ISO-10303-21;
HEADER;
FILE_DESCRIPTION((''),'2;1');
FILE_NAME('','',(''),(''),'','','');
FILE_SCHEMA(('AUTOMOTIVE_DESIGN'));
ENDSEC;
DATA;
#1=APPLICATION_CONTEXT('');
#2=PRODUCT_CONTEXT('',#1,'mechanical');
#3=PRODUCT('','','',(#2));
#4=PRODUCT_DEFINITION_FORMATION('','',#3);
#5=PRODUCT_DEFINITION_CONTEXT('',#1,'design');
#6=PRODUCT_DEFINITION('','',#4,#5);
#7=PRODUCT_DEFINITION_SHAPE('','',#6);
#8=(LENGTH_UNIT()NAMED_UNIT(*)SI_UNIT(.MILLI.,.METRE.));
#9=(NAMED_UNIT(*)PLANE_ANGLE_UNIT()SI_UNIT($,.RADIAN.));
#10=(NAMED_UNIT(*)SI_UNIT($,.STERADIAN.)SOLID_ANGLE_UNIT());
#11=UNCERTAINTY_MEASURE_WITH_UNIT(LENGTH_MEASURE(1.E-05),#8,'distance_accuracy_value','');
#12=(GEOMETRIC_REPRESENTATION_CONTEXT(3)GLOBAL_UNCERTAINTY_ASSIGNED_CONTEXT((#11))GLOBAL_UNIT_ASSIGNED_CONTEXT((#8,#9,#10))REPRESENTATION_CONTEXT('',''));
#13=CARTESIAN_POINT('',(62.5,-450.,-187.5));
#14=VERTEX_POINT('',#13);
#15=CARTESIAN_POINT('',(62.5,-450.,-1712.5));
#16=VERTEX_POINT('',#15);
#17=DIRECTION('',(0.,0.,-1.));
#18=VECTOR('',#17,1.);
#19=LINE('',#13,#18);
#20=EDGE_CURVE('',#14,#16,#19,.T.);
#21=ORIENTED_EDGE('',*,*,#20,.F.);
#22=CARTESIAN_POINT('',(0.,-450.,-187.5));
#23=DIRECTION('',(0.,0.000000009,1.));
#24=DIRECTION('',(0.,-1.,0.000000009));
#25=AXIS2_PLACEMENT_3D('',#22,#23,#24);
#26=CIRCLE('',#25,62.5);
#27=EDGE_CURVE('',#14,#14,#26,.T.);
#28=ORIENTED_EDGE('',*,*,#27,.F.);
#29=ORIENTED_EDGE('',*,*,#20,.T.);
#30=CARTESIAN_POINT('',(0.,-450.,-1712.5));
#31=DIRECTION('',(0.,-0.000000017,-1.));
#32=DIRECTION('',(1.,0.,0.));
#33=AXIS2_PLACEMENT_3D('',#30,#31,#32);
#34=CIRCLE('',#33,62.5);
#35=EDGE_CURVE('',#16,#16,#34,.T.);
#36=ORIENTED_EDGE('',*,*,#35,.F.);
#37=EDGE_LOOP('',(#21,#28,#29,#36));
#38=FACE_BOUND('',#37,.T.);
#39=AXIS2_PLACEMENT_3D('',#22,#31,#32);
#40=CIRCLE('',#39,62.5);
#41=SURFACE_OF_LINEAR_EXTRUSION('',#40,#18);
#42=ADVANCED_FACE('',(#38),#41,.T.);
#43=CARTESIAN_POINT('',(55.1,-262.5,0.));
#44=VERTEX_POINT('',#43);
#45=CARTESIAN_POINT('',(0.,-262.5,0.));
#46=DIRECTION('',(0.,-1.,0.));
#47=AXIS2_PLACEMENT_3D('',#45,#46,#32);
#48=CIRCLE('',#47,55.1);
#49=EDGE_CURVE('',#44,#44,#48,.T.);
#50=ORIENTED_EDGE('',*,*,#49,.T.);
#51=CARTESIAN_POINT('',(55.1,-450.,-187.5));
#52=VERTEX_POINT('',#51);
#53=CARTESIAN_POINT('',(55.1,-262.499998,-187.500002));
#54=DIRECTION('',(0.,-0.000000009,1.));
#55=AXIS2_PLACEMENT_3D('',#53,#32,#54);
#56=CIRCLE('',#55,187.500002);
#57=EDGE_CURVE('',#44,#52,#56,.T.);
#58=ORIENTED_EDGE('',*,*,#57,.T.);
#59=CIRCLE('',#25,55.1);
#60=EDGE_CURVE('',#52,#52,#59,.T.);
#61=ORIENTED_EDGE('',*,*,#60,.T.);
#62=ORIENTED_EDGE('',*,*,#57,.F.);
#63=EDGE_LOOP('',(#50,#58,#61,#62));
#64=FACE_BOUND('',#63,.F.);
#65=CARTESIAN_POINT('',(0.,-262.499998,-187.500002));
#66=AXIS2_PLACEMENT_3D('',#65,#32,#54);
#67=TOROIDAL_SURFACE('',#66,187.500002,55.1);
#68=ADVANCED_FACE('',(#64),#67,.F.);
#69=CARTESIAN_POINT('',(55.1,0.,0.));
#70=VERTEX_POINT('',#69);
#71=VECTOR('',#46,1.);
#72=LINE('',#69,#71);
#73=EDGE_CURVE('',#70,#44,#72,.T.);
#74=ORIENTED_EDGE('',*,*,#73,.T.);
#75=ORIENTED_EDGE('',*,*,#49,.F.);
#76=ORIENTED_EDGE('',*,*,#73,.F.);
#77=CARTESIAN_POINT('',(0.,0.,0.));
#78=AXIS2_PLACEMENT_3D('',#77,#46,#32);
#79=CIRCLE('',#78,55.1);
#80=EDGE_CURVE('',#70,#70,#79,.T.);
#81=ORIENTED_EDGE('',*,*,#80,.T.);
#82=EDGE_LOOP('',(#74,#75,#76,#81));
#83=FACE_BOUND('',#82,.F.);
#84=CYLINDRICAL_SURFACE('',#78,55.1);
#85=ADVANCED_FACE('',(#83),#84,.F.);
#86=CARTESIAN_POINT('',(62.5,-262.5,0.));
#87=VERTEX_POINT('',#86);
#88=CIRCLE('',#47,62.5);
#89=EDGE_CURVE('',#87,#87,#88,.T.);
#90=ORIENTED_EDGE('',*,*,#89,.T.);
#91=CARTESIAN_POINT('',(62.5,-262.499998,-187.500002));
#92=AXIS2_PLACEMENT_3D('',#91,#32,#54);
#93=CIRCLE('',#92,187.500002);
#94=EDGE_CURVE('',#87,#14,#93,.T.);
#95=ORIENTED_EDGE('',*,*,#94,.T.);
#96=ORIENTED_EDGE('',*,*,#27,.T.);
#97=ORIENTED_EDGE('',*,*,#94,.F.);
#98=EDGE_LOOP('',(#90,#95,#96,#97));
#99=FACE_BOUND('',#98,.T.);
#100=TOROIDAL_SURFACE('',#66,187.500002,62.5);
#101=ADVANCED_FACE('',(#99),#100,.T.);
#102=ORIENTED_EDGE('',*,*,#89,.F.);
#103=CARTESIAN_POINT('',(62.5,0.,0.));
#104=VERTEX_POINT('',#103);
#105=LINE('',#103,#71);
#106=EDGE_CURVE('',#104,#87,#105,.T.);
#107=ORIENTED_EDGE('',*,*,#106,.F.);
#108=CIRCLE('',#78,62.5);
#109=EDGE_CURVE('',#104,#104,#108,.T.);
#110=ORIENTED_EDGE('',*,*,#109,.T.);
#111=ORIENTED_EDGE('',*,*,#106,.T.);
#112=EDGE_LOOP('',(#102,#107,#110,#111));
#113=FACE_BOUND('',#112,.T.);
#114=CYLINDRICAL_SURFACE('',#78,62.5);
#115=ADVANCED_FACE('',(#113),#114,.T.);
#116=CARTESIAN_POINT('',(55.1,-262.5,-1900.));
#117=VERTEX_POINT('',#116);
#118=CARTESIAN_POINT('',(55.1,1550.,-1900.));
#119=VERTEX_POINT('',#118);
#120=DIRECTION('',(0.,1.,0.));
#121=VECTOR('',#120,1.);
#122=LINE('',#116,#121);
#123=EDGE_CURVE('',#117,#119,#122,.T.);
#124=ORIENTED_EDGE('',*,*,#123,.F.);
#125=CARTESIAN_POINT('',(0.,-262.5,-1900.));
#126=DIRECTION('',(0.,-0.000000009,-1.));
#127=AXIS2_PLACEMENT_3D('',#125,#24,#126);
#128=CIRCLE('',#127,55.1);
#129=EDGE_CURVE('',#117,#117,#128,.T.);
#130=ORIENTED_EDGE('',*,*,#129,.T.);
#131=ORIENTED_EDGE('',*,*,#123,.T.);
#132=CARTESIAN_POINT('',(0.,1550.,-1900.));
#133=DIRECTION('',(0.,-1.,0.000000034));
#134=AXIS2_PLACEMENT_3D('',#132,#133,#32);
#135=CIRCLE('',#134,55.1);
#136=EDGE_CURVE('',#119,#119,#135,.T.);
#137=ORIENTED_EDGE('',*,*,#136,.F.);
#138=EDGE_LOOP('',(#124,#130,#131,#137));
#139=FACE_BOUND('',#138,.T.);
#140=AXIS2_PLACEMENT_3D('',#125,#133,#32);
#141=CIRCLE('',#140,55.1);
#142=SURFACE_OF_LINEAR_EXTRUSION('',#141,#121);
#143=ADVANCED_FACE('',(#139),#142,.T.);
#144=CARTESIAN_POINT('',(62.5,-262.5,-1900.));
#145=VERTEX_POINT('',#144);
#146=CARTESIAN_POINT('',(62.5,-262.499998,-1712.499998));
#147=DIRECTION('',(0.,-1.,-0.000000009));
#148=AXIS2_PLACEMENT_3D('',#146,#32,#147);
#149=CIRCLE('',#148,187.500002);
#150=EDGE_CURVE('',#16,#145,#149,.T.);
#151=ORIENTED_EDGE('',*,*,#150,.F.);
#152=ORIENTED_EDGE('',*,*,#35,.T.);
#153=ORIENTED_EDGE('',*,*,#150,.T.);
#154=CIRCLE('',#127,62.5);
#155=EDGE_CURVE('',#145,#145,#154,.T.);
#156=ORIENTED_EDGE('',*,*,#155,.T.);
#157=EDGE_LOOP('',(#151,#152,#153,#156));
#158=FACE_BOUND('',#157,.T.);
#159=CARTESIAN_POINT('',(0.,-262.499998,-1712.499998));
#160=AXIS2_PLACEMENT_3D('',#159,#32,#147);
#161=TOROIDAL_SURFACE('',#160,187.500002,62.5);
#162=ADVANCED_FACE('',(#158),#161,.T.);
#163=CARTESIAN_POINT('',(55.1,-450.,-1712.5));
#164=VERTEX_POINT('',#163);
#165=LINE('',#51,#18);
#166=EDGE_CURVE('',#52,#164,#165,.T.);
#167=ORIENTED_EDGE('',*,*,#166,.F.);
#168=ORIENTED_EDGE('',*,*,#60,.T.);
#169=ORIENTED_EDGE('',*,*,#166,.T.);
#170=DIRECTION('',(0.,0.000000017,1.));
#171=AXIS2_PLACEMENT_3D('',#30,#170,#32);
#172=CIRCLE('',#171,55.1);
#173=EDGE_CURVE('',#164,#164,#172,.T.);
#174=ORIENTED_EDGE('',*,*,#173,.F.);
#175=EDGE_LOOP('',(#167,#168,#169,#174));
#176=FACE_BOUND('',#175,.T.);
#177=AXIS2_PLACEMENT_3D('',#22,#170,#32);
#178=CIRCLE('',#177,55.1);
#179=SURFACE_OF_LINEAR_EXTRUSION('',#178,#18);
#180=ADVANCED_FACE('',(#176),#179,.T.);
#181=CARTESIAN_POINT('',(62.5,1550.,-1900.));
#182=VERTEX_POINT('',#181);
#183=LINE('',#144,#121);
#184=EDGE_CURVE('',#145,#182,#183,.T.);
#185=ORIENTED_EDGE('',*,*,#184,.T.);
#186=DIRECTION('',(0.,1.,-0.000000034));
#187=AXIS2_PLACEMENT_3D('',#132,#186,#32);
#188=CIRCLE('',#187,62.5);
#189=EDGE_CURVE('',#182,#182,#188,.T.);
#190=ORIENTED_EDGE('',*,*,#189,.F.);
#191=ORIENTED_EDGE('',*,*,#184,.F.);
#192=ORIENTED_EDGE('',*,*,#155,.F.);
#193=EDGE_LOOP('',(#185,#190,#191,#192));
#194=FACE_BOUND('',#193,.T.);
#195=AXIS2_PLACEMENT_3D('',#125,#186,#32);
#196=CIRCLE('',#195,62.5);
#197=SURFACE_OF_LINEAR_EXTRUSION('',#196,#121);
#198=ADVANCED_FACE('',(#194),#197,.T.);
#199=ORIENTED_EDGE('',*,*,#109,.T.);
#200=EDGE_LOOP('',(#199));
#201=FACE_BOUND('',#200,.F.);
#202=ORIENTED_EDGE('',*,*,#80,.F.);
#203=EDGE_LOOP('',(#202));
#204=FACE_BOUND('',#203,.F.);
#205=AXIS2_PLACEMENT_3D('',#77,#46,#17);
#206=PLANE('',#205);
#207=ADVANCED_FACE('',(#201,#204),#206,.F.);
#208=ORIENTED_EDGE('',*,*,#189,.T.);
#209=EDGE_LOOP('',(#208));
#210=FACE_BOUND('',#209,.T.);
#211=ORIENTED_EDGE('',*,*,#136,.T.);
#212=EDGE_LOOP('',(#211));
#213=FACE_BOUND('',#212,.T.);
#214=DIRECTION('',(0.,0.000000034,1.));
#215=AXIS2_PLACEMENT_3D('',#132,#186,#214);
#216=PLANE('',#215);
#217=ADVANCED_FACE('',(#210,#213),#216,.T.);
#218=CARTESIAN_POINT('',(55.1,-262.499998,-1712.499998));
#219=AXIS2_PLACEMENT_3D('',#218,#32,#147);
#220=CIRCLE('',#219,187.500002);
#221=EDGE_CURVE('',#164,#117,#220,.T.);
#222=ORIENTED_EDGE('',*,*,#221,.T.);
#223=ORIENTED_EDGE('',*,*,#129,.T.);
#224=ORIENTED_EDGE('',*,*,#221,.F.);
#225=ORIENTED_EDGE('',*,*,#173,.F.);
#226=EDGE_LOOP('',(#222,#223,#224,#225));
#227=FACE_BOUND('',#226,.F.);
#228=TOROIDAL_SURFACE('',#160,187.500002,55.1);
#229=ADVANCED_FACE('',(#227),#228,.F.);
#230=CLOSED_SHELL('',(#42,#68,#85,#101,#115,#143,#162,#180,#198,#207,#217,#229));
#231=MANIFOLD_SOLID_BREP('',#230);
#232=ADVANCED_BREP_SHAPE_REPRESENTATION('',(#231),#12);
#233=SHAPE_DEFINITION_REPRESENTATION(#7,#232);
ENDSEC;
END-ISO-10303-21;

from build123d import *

# Parameters (mm, degrees)
F1_R   = 62.5
F1_R_2 = 55.1


with BuildPart() as f2:
    # F2: sweep along a path in F0
    with BuildLine(Plane.YZ) as f2_path:
        Line((0, 0), (-262.5, 0))
        ThreePointArc((-262.5, 0), (-395.082521, -54.917479), (-450, -187.5))
        Line((-450, -187.5), (-450, -1712.5))
        ThreePointArc((-450, -1712.5), (-395.082521, -1845.082521), (-262.5, -1900))
        Line((-262.5, -1900), (1550, -1900))
    # F1 (on Front) → F2 (sweep)
    with BuildSketch(Plane.XZ):
        Circle(F1_R)
        Circle(F1_R_2, mode=Mode.SUBTRACT)
    sweep(path=f2_path.line)


solid = f2.part
